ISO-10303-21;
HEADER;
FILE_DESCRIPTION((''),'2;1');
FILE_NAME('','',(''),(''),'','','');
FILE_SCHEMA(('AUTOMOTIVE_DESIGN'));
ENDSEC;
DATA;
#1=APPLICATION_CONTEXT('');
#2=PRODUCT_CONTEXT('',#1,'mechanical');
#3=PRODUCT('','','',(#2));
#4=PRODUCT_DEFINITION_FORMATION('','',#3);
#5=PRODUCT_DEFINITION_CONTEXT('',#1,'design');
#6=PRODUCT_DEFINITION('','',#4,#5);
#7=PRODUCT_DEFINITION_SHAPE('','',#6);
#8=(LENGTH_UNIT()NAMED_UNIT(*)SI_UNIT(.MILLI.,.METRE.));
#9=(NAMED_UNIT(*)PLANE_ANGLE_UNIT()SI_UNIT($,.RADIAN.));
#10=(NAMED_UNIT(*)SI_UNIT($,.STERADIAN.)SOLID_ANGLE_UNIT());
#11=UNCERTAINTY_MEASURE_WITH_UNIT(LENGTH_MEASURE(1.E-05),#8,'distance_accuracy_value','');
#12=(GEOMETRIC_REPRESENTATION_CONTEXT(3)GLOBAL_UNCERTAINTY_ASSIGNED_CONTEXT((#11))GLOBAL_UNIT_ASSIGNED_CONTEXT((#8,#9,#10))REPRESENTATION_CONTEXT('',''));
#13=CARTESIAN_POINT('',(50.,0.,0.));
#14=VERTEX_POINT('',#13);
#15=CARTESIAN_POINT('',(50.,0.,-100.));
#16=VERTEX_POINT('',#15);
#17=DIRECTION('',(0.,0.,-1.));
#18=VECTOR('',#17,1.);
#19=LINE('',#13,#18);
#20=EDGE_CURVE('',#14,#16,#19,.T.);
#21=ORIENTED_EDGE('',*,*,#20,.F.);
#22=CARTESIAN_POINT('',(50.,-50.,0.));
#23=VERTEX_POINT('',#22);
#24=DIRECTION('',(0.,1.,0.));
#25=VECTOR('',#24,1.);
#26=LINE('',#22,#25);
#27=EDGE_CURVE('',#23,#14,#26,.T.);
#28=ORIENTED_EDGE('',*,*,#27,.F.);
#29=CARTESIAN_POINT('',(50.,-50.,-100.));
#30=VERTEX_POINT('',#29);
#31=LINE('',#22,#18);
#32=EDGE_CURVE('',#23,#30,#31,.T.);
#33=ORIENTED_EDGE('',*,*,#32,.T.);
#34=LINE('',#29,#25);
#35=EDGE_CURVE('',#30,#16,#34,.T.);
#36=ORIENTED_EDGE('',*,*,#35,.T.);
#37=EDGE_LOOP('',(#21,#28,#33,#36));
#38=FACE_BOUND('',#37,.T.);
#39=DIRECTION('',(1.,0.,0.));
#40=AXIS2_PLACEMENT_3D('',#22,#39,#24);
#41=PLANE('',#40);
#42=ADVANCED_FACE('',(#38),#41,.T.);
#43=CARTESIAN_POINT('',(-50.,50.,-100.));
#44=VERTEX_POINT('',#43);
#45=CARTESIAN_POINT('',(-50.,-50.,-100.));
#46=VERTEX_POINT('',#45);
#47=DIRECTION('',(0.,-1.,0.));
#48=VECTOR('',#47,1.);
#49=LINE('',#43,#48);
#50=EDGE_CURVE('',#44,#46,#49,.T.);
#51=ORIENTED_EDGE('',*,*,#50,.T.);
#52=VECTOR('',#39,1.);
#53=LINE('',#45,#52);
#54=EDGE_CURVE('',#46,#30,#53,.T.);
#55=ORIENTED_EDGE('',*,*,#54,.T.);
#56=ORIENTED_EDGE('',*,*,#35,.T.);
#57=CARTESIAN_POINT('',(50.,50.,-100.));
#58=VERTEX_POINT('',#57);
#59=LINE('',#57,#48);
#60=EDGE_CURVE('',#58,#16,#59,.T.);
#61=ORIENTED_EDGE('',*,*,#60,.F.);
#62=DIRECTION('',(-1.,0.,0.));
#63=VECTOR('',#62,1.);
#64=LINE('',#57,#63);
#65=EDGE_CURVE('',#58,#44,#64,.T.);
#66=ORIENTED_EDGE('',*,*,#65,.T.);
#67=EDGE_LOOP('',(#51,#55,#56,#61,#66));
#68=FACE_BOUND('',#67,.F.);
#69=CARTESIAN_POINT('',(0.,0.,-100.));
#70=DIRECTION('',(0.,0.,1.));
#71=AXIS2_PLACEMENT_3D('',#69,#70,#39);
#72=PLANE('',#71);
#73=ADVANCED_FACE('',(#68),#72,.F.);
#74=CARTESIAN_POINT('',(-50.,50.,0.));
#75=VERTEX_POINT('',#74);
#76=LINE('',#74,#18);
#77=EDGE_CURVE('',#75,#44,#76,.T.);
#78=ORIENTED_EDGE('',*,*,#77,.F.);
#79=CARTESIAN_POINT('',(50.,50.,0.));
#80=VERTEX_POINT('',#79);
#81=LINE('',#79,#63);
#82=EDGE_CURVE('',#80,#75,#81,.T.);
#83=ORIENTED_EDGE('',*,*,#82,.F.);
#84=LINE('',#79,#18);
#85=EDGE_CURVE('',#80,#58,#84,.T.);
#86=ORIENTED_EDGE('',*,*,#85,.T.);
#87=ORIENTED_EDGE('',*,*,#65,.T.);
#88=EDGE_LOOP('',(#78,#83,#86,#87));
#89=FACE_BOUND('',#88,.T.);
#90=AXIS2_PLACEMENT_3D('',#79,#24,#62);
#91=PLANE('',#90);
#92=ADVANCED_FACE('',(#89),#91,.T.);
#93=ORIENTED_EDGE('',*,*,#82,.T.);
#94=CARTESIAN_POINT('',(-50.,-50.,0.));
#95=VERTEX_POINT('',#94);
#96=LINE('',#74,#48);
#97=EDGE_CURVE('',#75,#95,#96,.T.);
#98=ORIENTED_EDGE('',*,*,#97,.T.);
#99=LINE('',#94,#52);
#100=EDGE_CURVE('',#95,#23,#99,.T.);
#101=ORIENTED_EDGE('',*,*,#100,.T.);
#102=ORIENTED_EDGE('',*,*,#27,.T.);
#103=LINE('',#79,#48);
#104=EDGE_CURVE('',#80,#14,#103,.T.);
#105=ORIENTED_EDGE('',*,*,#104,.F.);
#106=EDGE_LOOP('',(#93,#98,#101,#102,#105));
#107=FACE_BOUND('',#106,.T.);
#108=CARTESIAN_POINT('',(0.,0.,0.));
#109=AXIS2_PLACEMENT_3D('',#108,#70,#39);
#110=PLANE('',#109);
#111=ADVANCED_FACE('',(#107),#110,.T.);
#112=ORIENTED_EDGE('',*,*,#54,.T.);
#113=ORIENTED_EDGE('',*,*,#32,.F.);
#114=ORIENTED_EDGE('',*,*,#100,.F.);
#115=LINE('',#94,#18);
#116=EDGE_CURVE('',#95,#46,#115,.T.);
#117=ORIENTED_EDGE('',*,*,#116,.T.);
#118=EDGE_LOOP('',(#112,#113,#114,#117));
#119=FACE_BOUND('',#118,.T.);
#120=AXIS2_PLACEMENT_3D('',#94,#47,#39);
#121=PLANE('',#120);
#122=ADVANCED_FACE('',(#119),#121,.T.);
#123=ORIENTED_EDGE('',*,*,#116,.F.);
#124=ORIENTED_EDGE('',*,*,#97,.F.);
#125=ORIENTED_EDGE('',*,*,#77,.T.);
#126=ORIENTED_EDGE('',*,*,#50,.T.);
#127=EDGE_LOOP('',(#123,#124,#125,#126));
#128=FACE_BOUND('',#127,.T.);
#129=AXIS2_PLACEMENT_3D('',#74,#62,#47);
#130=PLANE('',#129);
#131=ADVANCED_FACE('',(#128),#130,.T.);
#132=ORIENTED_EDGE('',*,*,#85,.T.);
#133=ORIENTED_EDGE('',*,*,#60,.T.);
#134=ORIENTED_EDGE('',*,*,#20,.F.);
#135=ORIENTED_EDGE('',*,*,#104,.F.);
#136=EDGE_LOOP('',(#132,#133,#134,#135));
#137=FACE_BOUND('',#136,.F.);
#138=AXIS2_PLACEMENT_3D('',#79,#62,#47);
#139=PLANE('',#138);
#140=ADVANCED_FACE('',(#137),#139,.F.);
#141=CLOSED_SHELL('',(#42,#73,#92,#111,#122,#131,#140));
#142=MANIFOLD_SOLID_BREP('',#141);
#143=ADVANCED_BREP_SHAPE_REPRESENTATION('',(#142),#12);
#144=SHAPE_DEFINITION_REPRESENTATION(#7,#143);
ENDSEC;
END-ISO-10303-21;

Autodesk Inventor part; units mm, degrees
ref_plane "YZ Plane" through (0, 0, 0) normal (1, 0, 0) x (0, 1, 0)
ref_plane "XZ Plane" through (0, 0, 0) normal (0, 1, 0) x (-1, 0, 0)
sketch "Sketch1" plane through (0, 0, 0) normal (0, 0, 1) x (1, 0, 0)
  line L0 (50, 50) -> (50, 0)
  line L1 (-50, -50) -> (50, -50)
  line L2 (50, -50) -> (50, 50)
  line L3 (50, 50) -> (-50, 50)
  line L4 (-50, 50) -> (-50, -50)
  line L5 (-50, -50) -> (50, 50) construction
  line L6 (50, -50) -> (-50, 50) construction
  point P0 (0, 0)
ref_plane "Work Plane1" through (0, 0, -100) normal (0, 0, 1) x (1, 0, 0)
extrude "Extrusion2" add sketch "Sketch1" against normal blind 100
properties part number "Extrude"
